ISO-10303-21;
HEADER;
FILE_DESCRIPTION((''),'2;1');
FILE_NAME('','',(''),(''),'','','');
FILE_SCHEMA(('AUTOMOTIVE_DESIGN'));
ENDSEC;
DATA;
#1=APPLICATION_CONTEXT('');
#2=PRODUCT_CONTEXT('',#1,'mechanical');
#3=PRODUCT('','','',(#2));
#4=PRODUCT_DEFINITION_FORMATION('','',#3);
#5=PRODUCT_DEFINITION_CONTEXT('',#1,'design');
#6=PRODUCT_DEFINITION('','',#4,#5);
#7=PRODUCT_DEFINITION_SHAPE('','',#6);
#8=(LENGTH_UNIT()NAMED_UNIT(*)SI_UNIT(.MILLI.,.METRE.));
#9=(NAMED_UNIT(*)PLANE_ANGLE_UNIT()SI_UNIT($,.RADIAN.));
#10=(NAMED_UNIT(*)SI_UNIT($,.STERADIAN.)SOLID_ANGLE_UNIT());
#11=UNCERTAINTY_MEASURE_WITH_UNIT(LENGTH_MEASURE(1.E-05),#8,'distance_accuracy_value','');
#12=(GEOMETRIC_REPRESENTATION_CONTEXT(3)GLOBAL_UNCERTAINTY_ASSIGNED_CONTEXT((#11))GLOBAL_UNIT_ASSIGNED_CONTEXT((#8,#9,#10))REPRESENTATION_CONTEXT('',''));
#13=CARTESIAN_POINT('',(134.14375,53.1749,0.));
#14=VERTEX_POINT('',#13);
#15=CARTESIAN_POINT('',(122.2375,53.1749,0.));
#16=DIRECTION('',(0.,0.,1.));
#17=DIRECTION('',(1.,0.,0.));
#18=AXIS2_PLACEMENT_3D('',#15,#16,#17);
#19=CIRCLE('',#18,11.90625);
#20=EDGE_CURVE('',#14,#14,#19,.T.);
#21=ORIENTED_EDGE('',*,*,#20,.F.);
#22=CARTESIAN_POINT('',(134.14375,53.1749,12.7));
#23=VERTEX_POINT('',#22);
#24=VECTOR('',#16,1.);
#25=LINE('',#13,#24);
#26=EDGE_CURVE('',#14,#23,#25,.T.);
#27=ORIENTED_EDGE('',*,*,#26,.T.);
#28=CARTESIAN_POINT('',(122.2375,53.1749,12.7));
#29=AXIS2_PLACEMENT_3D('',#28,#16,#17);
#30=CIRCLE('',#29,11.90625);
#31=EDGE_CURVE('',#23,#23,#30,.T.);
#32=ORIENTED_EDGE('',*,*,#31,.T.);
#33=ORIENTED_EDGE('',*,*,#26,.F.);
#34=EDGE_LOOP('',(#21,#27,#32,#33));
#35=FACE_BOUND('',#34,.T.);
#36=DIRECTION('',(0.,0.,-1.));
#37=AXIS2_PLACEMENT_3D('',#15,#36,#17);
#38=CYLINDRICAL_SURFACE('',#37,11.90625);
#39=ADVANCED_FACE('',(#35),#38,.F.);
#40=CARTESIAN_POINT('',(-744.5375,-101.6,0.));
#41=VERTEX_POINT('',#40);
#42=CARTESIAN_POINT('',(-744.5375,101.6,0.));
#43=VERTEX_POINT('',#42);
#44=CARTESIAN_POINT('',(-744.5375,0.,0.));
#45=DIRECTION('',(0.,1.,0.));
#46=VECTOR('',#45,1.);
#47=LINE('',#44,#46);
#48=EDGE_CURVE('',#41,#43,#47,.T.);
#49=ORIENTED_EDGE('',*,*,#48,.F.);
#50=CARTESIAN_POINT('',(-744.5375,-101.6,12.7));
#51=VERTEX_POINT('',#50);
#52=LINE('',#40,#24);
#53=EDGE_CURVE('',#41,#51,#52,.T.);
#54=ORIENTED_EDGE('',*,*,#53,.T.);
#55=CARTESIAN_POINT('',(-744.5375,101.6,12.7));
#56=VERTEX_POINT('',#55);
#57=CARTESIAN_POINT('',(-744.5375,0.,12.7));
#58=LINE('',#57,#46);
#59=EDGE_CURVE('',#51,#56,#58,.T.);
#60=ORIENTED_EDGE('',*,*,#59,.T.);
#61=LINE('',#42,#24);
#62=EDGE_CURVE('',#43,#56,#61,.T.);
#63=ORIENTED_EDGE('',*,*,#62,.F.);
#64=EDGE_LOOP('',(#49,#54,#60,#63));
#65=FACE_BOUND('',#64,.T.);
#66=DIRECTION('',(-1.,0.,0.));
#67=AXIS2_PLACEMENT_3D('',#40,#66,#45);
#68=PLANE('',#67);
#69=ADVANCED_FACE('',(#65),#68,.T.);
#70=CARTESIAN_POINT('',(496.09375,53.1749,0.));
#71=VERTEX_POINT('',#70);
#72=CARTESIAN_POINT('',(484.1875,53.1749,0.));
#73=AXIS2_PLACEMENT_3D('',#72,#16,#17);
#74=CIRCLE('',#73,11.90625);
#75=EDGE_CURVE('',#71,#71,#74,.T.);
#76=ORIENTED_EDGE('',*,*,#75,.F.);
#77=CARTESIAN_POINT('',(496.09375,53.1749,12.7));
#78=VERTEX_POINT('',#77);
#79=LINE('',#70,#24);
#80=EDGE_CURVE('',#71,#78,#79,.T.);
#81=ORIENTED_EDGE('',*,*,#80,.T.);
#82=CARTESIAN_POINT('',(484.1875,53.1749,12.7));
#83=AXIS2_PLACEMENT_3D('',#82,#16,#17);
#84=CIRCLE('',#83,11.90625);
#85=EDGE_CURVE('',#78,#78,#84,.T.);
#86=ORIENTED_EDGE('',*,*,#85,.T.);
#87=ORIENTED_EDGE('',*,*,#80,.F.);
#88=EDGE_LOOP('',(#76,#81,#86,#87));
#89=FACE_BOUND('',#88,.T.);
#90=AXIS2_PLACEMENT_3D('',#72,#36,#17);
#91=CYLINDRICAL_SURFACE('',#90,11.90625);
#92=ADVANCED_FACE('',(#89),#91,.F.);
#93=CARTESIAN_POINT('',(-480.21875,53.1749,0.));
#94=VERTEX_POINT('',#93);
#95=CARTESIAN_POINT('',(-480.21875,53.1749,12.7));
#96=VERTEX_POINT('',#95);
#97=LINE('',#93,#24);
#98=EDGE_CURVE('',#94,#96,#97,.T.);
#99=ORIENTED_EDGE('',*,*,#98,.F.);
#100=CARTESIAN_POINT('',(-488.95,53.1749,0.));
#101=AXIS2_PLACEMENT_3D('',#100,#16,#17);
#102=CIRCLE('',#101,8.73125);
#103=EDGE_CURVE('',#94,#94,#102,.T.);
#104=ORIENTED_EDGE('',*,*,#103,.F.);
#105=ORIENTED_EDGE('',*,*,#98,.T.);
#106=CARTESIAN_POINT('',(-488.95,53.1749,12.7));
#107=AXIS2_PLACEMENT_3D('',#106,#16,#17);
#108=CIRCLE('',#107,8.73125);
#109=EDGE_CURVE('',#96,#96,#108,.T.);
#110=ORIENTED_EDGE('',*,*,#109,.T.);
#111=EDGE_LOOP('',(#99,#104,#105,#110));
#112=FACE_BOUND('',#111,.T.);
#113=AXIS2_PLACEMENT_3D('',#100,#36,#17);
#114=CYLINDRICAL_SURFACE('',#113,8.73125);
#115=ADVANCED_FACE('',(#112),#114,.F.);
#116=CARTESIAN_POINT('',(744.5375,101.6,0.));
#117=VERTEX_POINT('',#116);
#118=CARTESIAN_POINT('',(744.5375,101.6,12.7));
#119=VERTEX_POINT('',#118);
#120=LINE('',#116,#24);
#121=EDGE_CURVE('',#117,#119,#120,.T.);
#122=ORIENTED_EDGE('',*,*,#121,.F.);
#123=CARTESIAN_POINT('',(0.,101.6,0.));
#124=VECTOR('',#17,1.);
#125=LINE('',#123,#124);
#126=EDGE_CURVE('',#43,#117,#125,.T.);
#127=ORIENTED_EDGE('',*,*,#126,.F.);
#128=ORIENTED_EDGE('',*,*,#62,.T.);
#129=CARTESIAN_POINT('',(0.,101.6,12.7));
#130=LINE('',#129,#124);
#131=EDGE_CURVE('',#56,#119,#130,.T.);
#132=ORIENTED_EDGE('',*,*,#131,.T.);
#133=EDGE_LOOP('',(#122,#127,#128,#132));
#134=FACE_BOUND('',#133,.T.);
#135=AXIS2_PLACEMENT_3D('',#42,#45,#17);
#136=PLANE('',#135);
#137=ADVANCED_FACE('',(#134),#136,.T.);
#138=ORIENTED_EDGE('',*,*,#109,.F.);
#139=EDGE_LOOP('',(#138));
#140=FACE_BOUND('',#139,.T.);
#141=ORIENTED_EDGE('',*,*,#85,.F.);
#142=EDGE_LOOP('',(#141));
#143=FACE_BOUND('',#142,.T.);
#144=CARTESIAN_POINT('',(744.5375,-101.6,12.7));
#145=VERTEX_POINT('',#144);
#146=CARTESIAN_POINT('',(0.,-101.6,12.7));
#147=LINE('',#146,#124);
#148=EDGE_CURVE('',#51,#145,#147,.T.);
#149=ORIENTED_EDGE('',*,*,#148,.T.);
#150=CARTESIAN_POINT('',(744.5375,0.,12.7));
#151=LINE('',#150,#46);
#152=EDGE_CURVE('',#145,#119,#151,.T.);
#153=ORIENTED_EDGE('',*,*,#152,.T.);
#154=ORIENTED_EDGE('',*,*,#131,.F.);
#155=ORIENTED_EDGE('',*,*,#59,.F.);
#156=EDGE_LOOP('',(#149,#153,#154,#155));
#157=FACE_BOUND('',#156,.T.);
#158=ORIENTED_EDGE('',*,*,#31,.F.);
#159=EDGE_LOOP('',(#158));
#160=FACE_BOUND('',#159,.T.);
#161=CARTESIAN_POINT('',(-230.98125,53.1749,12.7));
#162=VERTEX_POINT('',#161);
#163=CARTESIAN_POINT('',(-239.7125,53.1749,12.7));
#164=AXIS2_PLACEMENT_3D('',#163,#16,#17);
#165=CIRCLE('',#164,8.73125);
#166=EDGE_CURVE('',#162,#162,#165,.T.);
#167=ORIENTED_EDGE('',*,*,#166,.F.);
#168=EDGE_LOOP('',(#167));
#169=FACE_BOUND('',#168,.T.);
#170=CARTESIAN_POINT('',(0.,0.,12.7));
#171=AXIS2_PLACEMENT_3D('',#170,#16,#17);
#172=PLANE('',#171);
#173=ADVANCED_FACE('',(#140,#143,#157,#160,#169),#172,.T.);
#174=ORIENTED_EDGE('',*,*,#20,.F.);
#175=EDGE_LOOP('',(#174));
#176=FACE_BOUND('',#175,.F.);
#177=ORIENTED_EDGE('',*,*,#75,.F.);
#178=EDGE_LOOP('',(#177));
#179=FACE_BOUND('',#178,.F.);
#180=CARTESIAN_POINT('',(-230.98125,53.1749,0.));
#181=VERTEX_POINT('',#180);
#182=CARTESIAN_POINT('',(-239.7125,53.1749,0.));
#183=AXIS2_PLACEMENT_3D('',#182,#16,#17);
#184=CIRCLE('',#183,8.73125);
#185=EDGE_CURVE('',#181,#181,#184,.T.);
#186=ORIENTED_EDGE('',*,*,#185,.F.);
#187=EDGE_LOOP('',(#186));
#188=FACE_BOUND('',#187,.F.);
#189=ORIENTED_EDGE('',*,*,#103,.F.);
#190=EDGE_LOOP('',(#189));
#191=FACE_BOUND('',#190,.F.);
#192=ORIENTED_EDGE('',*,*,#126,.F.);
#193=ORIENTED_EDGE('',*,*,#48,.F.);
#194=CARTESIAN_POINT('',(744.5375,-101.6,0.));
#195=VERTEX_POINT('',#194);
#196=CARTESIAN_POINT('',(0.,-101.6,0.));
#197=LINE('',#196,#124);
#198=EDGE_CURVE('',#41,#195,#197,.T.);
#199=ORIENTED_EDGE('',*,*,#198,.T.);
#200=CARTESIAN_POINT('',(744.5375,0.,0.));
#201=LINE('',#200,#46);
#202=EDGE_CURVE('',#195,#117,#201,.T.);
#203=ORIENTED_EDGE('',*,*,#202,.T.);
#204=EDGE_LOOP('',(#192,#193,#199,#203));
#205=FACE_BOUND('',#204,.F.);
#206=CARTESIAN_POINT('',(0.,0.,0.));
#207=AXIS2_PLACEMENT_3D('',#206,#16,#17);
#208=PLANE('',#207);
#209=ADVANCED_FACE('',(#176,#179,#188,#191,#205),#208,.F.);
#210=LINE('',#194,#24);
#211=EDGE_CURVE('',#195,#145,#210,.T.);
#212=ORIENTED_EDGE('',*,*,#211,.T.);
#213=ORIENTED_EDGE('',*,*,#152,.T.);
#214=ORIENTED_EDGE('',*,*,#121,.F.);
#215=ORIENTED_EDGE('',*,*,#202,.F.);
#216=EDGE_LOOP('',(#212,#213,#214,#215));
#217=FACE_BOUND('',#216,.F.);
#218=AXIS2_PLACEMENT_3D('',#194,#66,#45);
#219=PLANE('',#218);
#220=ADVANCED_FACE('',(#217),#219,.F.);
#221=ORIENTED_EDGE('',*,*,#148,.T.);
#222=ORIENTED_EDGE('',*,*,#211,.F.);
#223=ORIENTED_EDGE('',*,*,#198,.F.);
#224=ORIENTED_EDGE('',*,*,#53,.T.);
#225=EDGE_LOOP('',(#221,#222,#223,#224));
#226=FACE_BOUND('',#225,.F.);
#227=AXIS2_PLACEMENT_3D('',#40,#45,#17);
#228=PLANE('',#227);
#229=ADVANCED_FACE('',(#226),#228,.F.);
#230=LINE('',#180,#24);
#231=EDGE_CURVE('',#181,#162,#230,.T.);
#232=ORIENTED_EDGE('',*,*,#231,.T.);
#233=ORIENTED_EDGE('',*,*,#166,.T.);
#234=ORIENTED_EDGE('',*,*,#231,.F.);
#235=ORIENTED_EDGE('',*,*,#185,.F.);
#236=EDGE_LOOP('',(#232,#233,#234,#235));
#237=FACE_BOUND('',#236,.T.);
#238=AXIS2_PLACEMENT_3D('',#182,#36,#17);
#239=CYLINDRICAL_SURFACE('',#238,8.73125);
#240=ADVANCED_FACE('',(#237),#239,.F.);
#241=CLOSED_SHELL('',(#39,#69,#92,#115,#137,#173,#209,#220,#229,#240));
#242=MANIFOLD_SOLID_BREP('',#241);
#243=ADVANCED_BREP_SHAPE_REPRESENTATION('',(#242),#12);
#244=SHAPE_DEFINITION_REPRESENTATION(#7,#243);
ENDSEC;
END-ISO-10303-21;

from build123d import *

# Parameters (mm, degrees)
F0_W     = 1489.075
F0_H     = 203.2
F0_R     = 8.73125
F0_R_2   = 11.90625
F1_DEPTH = 12.7


with BuildPart() as f1:
    # F0 (on Top) → F1 (new body)
    with BuildSketch(Plane.XY):
        Rectangle(F0_W, F0_H)
        with Locations((-488.95, 53.1749)):
            Circle(F0_R, mode=Mode.SUBTRACT)
        with Locations((-239.7125, 53.1749)):
            Circle(F0_R, mode=Mode.SUBTRACT)
        with Locations((122.2375, 53.1749)):
            Circle(F0_R_2, mode=Mode.SUBTRACT)
        with Locations((484.1875, 53.1749)):
            Circle(F0_R_2, mode=Mode.SUBTRACT)
    extrude(amount=F1_DEPTH)


solid = f1.part
